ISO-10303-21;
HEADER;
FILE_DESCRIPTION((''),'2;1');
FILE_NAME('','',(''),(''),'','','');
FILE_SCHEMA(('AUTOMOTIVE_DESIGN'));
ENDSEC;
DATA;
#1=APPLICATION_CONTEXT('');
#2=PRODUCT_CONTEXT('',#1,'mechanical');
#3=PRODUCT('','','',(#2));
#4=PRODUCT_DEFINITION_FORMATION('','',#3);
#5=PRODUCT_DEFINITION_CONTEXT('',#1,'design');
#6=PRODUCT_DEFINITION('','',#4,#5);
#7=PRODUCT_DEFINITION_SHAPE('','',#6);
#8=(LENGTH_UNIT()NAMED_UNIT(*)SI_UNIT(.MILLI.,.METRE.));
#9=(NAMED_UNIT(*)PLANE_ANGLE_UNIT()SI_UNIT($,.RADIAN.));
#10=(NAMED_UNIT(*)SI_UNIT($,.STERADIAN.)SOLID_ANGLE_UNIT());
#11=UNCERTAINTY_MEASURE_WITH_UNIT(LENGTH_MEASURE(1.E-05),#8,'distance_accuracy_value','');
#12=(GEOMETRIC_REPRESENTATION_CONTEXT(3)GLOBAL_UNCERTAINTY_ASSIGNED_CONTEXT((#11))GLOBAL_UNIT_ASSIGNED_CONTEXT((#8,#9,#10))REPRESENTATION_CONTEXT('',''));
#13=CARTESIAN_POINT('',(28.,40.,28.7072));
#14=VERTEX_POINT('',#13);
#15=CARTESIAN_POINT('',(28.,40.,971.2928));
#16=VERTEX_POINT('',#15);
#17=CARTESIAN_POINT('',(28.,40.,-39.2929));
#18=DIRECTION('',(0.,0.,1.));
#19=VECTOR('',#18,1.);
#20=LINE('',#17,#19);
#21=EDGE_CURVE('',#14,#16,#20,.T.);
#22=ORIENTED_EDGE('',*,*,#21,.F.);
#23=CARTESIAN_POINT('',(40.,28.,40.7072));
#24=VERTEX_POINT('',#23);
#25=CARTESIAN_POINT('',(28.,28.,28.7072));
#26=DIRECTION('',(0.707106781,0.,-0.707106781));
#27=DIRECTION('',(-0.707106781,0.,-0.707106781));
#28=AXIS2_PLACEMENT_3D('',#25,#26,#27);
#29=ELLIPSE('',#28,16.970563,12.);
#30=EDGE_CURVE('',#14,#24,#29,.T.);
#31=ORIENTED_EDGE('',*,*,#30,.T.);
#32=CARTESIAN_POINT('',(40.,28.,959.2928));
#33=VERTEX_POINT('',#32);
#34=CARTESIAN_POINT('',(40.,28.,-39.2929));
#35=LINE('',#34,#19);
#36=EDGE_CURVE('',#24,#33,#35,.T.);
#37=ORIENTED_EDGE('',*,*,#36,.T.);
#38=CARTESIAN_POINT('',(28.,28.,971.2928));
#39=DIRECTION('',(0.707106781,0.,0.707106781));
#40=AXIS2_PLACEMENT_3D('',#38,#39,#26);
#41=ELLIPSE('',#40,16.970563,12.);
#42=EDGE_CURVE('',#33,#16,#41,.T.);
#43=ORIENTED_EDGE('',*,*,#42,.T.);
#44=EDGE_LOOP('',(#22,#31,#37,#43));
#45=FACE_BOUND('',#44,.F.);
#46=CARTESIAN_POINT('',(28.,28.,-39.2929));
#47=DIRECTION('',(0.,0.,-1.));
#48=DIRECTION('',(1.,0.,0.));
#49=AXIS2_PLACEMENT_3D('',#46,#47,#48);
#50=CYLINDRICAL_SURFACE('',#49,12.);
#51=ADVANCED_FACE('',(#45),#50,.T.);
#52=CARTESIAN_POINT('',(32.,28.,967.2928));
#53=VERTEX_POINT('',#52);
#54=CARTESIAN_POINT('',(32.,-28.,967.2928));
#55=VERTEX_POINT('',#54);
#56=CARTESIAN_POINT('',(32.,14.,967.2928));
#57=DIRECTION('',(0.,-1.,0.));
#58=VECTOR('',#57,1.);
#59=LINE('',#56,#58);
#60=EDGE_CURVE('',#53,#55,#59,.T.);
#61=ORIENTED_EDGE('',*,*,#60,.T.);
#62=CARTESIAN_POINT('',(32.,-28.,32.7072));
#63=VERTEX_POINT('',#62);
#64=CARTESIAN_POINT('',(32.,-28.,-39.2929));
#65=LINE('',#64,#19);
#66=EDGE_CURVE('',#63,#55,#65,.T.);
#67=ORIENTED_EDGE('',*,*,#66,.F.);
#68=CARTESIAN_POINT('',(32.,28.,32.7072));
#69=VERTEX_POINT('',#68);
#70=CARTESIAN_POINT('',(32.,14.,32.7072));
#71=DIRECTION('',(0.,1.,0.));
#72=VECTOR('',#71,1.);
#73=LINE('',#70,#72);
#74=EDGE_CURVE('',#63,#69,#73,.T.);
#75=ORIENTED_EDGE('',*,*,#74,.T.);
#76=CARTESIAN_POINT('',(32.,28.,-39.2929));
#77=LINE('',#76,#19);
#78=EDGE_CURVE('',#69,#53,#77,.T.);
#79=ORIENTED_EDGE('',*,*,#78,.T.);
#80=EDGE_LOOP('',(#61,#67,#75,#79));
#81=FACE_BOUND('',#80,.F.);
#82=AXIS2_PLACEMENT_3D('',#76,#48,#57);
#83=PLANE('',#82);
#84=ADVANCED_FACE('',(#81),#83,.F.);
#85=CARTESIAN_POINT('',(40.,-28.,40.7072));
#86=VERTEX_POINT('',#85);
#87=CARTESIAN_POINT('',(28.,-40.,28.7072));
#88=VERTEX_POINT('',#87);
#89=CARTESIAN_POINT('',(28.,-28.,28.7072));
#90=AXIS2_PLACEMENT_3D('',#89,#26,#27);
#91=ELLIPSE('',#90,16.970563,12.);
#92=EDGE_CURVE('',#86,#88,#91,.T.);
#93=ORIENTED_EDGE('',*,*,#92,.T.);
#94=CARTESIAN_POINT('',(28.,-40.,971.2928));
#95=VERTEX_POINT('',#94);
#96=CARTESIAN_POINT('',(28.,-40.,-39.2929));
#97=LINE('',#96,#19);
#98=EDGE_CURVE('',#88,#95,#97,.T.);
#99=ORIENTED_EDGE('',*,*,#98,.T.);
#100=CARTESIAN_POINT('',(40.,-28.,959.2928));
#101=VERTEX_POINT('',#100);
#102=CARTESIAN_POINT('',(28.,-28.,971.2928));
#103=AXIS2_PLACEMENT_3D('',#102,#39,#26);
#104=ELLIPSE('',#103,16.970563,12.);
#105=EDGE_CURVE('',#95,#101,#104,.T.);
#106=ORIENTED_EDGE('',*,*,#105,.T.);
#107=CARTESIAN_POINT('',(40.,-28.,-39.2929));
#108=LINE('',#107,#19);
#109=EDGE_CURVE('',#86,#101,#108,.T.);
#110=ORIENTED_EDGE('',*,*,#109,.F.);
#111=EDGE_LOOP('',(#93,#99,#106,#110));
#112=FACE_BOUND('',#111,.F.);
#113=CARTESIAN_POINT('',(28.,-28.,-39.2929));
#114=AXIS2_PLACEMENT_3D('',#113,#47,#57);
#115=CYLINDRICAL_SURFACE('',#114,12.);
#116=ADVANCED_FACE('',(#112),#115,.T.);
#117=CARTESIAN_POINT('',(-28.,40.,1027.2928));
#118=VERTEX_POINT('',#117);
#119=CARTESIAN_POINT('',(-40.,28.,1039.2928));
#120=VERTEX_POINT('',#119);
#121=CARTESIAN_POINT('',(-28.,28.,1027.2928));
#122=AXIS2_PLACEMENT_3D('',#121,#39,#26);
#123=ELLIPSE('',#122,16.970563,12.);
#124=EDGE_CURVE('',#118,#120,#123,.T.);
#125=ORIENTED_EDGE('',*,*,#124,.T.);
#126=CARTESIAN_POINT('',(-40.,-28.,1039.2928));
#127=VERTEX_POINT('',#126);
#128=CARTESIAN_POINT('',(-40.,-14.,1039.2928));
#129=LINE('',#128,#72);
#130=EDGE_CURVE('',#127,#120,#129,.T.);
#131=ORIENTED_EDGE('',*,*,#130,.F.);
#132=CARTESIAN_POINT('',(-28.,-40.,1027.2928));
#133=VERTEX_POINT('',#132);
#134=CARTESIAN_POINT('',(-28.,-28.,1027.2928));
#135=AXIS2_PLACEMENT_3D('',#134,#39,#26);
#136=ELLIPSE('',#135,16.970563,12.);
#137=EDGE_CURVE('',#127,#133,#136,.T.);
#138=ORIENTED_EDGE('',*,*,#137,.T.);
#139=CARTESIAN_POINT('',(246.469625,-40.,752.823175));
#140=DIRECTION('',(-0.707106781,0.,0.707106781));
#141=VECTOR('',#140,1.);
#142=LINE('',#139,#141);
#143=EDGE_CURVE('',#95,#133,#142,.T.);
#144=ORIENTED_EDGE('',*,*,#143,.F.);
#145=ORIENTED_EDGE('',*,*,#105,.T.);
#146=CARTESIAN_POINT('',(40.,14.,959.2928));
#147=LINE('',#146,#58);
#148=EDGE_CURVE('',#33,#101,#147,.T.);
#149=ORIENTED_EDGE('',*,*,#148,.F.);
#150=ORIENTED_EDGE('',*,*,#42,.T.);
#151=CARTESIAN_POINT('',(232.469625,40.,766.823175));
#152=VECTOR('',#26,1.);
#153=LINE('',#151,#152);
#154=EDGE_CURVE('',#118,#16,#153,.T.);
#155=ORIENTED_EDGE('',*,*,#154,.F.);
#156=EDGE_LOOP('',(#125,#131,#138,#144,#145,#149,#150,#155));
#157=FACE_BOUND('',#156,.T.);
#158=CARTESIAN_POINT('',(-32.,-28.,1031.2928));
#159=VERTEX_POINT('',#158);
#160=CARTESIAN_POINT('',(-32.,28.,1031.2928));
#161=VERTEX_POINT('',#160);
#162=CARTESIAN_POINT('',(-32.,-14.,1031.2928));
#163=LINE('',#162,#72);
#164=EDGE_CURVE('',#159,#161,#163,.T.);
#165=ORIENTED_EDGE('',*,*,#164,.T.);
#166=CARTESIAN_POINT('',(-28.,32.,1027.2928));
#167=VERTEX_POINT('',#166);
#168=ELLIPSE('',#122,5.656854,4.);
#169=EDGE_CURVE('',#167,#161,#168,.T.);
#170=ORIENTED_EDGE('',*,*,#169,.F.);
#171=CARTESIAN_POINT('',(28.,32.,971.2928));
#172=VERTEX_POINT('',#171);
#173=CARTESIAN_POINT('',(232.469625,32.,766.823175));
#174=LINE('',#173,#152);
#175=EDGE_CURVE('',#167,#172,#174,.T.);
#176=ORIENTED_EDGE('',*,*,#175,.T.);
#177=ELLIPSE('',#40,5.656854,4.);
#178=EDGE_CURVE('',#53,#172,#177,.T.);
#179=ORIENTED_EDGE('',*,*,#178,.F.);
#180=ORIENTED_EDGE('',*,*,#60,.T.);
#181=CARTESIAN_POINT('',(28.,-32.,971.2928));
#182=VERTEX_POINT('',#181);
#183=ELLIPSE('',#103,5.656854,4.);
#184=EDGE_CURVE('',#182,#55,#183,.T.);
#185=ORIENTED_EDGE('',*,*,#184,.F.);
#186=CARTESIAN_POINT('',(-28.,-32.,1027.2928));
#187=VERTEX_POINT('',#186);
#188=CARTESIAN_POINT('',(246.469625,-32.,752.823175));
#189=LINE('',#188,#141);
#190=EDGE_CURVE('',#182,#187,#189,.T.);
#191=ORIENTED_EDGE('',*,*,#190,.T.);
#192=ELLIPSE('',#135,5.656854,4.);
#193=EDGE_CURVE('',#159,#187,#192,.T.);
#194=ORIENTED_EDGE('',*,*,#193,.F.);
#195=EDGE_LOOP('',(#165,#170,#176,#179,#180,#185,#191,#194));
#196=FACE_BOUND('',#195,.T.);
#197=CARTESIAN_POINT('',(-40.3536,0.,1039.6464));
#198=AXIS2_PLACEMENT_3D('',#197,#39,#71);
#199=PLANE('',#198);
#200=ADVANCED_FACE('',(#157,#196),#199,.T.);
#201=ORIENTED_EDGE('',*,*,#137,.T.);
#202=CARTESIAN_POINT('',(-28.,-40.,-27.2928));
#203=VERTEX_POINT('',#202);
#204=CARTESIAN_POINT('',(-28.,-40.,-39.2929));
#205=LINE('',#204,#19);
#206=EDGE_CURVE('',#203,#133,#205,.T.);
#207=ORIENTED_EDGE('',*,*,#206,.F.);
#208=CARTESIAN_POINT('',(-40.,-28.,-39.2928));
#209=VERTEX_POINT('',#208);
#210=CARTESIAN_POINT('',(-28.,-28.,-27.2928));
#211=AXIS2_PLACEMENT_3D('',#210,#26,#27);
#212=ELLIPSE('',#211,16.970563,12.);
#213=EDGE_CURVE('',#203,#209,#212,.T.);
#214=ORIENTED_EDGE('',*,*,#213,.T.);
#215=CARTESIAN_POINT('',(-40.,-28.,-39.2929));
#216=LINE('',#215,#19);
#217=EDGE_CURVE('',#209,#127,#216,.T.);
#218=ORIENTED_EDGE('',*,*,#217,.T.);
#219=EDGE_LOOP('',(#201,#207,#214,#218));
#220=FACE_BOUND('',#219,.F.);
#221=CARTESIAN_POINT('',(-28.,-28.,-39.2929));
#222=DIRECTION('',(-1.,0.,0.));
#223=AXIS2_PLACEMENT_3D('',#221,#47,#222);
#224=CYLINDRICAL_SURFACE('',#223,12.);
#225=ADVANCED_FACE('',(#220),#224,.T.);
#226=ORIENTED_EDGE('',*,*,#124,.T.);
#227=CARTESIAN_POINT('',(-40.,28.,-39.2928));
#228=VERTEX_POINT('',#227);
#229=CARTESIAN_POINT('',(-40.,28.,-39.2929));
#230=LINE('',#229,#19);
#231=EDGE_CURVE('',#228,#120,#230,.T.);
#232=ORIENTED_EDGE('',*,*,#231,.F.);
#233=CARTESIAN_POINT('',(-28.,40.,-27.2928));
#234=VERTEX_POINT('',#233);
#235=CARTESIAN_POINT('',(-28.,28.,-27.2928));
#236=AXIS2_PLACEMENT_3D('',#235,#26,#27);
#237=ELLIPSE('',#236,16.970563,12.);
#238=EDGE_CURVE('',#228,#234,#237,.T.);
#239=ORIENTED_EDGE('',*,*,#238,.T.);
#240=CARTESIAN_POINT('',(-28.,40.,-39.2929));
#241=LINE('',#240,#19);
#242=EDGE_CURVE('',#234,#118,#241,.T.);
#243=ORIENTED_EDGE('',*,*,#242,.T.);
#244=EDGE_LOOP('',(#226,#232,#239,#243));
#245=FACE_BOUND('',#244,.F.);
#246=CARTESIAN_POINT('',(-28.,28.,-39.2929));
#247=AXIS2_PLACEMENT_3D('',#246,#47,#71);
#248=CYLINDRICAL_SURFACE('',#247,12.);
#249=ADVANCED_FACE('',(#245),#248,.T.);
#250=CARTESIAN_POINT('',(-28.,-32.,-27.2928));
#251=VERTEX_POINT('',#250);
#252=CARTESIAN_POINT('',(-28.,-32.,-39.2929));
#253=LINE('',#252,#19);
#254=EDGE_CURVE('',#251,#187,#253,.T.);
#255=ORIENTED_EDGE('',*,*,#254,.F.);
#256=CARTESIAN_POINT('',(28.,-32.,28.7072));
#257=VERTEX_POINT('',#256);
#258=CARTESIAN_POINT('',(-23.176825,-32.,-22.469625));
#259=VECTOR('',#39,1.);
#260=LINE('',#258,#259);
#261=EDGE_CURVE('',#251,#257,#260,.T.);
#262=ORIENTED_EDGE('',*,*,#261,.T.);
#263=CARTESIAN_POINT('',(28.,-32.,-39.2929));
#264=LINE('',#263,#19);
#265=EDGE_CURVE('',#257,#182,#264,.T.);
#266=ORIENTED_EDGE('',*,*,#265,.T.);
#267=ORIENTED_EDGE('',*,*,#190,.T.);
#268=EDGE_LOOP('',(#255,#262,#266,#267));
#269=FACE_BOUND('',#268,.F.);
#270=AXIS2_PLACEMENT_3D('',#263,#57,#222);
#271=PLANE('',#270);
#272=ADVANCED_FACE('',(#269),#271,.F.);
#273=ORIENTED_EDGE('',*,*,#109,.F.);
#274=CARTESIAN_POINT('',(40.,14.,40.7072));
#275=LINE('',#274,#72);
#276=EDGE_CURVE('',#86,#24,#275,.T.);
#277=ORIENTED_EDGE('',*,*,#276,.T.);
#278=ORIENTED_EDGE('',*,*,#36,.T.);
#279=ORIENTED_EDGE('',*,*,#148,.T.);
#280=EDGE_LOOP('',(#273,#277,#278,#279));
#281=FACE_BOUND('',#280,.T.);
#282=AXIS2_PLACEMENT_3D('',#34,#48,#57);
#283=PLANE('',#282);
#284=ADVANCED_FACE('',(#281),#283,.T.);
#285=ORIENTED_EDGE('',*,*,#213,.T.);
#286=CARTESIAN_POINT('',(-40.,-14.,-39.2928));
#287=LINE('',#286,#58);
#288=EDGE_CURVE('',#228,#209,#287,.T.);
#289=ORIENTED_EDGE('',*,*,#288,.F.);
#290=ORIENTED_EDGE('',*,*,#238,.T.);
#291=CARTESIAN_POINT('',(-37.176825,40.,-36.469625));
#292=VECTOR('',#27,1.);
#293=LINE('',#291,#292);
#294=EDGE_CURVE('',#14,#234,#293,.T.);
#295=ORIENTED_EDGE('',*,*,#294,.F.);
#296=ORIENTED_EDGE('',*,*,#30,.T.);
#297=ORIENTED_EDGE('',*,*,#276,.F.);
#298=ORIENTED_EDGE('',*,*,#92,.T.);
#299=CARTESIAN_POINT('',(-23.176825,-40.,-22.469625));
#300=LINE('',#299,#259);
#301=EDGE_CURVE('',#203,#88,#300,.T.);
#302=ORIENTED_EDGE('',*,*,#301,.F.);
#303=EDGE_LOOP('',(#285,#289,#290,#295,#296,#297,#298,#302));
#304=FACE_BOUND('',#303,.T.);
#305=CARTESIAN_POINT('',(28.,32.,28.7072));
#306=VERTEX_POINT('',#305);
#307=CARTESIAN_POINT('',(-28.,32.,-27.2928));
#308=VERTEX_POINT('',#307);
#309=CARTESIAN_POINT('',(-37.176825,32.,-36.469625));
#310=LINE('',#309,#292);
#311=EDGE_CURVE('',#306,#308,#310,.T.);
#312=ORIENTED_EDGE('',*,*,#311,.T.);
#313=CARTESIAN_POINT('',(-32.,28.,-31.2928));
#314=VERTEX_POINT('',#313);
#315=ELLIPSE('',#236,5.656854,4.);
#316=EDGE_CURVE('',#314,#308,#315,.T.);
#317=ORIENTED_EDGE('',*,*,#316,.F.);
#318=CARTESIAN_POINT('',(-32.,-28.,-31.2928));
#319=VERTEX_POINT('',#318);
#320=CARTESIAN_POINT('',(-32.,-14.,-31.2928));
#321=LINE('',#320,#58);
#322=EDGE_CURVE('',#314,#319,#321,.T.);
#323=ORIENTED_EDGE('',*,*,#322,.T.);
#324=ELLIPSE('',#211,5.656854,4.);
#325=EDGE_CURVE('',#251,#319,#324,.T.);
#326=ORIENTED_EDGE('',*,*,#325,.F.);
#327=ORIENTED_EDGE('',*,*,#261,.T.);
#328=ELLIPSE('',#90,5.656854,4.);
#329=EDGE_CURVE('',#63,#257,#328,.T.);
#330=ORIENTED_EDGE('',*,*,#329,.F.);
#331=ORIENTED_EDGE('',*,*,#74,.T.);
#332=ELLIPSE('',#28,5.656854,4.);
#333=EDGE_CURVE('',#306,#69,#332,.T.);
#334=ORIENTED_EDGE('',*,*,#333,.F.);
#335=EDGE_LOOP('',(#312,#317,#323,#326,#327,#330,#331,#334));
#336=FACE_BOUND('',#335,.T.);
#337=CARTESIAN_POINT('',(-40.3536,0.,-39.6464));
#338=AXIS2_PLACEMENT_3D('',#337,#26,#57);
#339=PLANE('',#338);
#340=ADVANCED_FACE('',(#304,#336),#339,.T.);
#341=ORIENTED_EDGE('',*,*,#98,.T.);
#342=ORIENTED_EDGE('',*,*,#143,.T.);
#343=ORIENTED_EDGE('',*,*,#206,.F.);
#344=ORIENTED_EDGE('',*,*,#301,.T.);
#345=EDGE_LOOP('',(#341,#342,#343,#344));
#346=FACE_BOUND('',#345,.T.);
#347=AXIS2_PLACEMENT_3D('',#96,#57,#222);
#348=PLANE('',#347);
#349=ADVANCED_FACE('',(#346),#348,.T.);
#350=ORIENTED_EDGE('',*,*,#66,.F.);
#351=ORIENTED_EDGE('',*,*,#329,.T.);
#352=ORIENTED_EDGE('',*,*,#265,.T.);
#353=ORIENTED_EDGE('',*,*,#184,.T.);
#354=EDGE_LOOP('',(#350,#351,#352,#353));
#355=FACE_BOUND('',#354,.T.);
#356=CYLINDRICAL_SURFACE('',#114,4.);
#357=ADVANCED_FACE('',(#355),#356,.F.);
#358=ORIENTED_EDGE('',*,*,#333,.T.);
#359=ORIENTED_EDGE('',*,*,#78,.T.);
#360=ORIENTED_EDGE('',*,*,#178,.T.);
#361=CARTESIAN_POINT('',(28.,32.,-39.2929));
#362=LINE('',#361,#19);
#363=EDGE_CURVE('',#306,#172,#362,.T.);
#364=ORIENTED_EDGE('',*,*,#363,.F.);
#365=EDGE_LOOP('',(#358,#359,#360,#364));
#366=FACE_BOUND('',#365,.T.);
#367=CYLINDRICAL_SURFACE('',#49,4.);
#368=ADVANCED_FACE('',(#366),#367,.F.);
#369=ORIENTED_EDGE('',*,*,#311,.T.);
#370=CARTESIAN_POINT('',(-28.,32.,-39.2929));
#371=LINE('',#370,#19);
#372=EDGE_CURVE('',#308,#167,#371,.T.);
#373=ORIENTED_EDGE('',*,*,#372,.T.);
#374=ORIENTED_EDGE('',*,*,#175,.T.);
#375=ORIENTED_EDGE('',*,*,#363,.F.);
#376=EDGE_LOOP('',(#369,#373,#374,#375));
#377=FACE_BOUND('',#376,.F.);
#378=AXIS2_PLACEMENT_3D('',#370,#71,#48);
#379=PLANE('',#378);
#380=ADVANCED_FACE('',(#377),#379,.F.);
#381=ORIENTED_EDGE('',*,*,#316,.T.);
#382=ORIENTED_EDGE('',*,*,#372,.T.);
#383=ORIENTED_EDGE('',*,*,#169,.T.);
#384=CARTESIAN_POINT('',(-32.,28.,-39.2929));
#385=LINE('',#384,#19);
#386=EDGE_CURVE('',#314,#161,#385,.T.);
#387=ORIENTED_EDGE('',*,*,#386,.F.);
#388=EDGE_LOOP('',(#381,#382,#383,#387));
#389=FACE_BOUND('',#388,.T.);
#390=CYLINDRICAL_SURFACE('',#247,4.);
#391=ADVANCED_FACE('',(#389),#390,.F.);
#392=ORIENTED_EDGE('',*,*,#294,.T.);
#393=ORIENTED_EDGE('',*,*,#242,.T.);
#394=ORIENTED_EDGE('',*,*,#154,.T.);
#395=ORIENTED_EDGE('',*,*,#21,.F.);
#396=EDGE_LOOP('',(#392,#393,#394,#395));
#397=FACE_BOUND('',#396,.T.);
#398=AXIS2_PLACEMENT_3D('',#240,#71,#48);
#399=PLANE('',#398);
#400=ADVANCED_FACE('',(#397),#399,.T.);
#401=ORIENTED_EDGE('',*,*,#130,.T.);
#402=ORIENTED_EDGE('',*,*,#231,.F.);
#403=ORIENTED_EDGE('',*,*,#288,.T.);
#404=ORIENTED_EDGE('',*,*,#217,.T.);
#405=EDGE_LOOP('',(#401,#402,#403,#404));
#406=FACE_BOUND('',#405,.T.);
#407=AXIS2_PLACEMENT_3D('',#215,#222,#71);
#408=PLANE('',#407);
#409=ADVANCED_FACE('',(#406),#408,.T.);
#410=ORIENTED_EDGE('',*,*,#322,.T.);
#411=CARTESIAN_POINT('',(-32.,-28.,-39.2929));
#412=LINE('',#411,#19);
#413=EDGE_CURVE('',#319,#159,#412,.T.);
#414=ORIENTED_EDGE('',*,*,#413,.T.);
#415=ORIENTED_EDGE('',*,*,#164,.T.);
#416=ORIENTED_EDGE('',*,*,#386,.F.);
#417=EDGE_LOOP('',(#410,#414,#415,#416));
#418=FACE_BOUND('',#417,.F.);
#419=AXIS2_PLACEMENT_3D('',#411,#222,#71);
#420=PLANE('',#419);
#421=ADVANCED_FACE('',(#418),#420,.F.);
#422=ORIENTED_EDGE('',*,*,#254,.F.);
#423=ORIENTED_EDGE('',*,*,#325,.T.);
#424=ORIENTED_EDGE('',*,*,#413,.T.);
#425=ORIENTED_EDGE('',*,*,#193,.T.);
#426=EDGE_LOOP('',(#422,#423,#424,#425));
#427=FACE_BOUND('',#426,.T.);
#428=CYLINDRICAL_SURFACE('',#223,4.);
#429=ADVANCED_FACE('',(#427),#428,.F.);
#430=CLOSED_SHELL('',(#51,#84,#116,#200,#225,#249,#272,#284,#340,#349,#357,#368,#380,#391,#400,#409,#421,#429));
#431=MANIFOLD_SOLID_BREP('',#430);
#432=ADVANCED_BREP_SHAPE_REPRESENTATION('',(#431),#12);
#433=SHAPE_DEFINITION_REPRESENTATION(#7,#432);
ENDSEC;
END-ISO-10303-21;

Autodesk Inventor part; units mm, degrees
ref_plane "Start Plane" through (0, 0, -39.2929) normal (0, 0, 1) x (1, 0, 0)
ref_plane "End Plane" through (0, 0, 1039.2929) normal (0, 0, 1) x (1, 0, 0)
sketch "Sketch" plane through (0, 0, 0) normal (0, 0, 1) x (1, 0, 0)
  line L0 (-40, -28) -> (-40, 28)
  line L1 (-28, 40) -> (28, 40)
  line L2 (40, 28) -> (40, -28)
  line L3 (28, -40) -> (-28, -40)
  arc A0 (-40, -28) -> (-28, -40) centre (-28, -28) ccw
  arc A1 (-28, 40) -> (-40, 28) centre (-28, 28) ccw
  arc A2 (40, 28) -> (28, 40) centre (28, 28) ccw
  arc A3 (28, -40) -> (40, -28) centre (28, -28) ccw
  arc A4 (-28, 32) -> (-32, 28) centre (-28, 28) ccw
  line L4 (-28, 32) -> (28, 32)
  arc A5 (32, 28) -> (28, 32) centre (28, 28) ccw
  line L5 (32, 28) -> (32, -28)
  arc A6 (28, -32) -> (32, -28) centre (28, -28) ccw
  line L6 (28, -32) -> (-28, -32)
  arc A7 (-32, -28) -> (-28, -32) centre (-28, -28) ccw
  line L7 (-32, -28) -> (-32, 28)
  line L8 (0, 59.4794) -> (0, -59.4794) construction
  line L9 (-59.4794, 0) -> (59.4794, 0) construction
  dimension "d7" = 12
  dimension "d10" = 80
  dimension "d11" = 80
  dimension "d12" = 8
  dimension "d15" = 40
  dimension "d16" = 40
extrude "Body" add sketch "Sketch" along normal up to surface (1078.5858 mm away) from surface at -39.2929
sketch "Sketch3" plane through (0, 0, 0) normal (0, 0, 1) x (1, 0, 0)
  line L0 (0, 0) -> (10, 0)
ref_plane "Work Plane3" through (0, 0, 0) normal (0, -1, 0) x (1, 0, 0)
ref_plane "Work Plane4" through (-40.3536, 0, -39.6464) normal (0.7071, 0, -0.7071) x (-0.7071, 0, -0.7071)
split "Split1" plane through (-40.3536, 0, -39.6464) removes the side toward (0.7071, 0, -0.7071)
ref_plane "Work Plane5" through (-40.3536, 0, 1039.6464) normal (0.7071, 0, 0.7071) x (0.7071, 0, -0.7071)
split "Split2" plane through (-40.3536, 0, 1039.6464) removes the side toward (0.7071, 0, 0.7071)
sketch "Sketch4" plane through (0, 0, 0) normal (0, -1, 0) x (1, 0, 0)
  line L0 (-2, -39.2929) -> (12, -39.2929) projected
  line L1 (-2, 1039.2929) -> (12, 1039.2929) projected
  dimension "d18" = 1078.5858
equation "\"d7\" = G_IR"
equation "\"d10\" = G_H"
equation "\"d11\" = G_W"
equation "\"d12\" = G_T"
equation "\"d15\" = 0.5 * d10"
equation "\"d16\" = 0.5 * d11"
equation "\"d3\" = G_L"
equation "\"G_W\" = 80"
equation "\"G_H\" = 80"
equation "\"G_T\" = 8"
equation "\"G_IR\" = 12"
equation "\"G_L\" = d18"
equation "\"G_OFFSET_START\" = 39.29289"
equation "\"G_OFFSET_END\" = 39.29289"
equation "\"d13\" = -G_OFFSET_START"
equation "\"d14\" = G_OFFSET_END + B_L"
equation "\"B_L\" = 1000"
properties part number "ISO 12633-2 - 80x80x8 - 1078.59" material "Steel, Mild"
